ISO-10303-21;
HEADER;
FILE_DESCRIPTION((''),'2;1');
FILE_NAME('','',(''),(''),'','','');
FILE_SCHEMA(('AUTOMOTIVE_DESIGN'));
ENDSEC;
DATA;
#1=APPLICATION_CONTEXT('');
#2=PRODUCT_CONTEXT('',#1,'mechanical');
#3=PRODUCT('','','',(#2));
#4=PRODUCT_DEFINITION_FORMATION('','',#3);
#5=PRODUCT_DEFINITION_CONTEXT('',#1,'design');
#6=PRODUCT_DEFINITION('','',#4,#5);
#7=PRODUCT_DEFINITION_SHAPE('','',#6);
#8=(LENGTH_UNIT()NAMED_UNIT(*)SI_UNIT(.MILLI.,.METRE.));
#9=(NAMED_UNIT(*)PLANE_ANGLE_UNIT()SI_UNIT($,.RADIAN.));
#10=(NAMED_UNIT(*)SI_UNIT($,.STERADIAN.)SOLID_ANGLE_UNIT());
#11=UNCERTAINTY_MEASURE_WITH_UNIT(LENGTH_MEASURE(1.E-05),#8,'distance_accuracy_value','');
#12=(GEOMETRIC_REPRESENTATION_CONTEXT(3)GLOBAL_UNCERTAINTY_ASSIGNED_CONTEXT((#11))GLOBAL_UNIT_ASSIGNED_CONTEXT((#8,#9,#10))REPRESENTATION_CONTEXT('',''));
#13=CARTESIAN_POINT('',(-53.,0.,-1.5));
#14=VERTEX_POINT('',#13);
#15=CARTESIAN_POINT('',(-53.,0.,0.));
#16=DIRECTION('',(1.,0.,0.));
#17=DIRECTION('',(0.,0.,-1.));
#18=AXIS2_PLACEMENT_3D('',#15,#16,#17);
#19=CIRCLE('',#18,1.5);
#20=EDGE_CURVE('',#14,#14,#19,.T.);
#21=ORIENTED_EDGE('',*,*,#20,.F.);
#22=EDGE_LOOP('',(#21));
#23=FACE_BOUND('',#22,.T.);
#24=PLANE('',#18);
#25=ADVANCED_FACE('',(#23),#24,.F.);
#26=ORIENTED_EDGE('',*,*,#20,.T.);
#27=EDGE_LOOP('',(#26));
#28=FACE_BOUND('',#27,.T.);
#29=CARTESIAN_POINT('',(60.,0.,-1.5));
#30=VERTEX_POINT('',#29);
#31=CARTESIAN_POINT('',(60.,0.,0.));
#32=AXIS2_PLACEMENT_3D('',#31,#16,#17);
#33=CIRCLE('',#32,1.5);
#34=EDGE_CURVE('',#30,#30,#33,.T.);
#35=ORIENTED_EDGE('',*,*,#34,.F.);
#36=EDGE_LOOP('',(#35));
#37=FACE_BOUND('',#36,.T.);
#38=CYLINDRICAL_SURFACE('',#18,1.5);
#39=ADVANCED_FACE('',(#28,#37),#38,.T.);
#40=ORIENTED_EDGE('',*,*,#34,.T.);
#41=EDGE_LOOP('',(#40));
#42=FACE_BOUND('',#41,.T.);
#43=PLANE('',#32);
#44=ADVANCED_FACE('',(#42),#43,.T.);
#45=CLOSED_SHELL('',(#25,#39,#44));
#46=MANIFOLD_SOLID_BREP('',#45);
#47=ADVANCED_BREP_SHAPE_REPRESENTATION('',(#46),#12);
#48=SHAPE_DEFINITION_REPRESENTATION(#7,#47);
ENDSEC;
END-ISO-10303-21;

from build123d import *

# Parameters (mm, degrees)
EXTRUSION1_DEPTH      = 60
EXTRUSION1_DEPTH_BACK = 53
ESQUISSE1_R           = 1.5


with BuildPart() as part:
    # Esquisse1 → Extrusion1 (new, two sides: drawn at the far end of the back side and taken through both)
    with BuildSketch(Plane(origin=(0, 0, 0), x_dir=(0, 0, -1), z_dir=(1, 0, 0)).offset(-EXTRUSION1_DEPTH_BACK)):
        Circle(ESQUISSE1_R)
    extrude(amount=EXTRUSION1_DEPTH + EXTRUSION1_DEPTH_BACK)


solid = part.part
